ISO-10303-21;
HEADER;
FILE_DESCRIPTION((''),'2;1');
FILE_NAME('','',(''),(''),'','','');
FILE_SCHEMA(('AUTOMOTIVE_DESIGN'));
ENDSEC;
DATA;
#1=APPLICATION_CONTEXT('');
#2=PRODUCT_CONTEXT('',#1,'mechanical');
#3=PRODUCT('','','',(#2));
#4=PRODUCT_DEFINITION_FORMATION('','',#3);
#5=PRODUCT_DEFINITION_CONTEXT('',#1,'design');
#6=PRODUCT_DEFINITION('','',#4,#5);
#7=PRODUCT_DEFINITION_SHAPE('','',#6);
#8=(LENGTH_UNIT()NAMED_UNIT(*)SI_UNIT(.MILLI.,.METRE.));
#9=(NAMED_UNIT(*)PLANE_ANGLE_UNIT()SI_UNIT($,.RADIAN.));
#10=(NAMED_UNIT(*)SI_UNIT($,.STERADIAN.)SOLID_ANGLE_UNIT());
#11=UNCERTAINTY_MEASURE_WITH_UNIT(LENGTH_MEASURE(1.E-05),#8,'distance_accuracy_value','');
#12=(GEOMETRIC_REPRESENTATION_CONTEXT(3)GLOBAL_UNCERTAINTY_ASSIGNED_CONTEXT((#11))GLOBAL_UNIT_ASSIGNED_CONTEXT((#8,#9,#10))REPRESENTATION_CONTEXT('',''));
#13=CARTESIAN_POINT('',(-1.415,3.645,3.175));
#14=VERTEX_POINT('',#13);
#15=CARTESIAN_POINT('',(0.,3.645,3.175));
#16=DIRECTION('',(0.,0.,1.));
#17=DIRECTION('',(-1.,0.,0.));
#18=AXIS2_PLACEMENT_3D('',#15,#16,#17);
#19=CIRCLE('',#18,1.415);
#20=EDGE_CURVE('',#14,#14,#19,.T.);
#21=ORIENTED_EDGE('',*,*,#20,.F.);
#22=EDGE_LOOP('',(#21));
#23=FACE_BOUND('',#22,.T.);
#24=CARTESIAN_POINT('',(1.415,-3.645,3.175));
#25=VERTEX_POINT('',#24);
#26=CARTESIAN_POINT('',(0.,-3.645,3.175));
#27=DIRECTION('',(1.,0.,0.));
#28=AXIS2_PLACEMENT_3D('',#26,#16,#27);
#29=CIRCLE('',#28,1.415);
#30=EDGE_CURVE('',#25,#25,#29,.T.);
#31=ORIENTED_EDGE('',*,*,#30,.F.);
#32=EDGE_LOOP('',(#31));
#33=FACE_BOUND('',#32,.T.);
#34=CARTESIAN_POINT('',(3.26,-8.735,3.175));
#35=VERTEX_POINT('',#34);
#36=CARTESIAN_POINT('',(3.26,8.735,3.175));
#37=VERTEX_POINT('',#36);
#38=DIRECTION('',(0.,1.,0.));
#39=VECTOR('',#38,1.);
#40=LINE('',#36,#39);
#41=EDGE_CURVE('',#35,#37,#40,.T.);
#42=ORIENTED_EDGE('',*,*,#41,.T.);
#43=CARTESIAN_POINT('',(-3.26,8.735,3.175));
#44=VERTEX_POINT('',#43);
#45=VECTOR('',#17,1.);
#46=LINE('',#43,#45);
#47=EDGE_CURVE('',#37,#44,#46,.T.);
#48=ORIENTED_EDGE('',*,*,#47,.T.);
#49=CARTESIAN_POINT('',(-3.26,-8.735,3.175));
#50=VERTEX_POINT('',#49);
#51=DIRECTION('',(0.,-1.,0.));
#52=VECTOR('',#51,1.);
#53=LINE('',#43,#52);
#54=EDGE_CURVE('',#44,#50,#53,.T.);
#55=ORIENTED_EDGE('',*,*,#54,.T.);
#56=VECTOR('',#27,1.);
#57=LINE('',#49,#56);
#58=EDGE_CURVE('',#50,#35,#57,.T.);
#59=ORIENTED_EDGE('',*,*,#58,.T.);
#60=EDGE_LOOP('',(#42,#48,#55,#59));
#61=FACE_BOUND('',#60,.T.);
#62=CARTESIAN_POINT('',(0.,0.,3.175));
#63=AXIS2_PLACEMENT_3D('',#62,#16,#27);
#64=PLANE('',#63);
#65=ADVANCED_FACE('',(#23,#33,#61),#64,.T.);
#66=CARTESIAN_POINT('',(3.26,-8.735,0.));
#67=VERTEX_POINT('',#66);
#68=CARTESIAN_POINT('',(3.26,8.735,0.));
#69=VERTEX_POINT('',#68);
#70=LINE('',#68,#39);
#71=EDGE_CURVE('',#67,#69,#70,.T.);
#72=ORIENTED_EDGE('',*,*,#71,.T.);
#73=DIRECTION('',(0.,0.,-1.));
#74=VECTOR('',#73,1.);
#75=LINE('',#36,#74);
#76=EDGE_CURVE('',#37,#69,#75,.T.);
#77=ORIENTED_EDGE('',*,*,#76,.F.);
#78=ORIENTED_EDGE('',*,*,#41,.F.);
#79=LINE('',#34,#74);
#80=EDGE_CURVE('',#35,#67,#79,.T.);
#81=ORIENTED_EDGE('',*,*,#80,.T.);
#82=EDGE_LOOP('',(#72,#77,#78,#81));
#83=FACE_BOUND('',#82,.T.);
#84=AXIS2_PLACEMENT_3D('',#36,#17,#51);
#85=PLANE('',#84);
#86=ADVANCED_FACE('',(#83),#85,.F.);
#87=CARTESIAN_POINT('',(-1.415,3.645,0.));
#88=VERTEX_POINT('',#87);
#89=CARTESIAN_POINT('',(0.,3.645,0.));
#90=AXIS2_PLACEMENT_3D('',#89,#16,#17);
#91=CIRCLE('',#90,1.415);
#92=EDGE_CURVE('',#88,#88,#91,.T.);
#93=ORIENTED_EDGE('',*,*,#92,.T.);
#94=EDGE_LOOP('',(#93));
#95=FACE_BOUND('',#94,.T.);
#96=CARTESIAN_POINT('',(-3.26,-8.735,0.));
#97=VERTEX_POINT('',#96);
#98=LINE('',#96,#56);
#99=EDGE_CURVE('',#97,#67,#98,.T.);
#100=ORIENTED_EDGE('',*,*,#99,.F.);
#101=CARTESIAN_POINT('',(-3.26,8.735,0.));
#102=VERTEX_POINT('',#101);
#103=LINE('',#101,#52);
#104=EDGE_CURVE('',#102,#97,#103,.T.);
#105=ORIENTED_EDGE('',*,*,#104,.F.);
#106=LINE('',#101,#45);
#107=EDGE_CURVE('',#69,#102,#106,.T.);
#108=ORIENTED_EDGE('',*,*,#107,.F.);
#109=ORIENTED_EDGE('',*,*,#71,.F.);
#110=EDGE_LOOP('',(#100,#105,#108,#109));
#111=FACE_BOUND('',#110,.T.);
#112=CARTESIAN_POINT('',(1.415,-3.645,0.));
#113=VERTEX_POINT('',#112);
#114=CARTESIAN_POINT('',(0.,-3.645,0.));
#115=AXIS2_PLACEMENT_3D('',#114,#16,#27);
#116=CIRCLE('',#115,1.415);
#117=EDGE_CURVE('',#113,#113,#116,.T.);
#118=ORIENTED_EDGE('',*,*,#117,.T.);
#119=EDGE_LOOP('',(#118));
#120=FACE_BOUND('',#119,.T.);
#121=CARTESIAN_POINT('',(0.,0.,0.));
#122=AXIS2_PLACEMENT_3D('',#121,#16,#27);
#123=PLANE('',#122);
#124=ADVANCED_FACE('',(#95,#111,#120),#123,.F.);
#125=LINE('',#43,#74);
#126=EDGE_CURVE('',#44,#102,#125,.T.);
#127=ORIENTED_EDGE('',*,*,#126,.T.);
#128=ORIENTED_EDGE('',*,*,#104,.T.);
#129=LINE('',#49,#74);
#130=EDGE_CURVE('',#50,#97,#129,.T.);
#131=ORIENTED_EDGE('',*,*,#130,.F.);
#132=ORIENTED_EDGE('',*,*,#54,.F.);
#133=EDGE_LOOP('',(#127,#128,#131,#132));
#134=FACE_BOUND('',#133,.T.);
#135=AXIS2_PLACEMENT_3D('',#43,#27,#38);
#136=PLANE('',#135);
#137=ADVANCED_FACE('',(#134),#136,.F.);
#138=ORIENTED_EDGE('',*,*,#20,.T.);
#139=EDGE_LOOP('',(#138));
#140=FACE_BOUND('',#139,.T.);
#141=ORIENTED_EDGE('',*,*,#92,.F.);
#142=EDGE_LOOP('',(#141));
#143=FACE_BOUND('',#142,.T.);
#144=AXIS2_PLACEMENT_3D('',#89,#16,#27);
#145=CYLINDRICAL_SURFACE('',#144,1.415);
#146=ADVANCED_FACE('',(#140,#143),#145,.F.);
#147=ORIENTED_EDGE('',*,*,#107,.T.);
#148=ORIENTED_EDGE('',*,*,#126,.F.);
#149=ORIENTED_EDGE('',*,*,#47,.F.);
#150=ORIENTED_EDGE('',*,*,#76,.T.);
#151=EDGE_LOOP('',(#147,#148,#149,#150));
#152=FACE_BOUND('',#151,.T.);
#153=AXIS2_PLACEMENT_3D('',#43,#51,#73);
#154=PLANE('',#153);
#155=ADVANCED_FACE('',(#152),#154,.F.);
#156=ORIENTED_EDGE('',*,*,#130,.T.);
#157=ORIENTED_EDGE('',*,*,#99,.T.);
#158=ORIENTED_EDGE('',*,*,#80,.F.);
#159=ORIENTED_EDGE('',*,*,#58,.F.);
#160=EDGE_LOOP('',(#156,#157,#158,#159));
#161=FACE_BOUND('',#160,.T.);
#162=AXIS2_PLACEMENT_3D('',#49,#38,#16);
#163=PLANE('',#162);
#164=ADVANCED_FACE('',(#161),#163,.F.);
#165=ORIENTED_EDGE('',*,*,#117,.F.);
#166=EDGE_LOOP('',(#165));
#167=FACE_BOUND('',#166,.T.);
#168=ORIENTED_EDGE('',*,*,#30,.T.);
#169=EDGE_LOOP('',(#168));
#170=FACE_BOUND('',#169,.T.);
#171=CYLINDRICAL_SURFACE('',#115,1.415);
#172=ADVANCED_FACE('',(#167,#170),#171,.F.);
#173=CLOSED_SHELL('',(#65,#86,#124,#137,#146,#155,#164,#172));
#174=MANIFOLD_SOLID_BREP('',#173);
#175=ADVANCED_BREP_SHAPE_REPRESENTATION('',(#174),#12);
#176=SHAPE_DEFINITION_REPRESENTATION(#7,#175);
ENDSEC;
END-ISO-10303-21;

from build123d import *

# Parameters (mm, degrees)
SKETCH2_W           = 6.52
SKETCH2_H           = 17.47
BOSS_EXTRUDE1_DEPTH = 3.175
SKETCH3_R           = 1.415
CUT_EXTRUDE1_DEPTH  = 4.175


with BuildPart() as part:
    # Sketch2 → Boss-Extrude1 (new body)
    with BuildSketch(Plane.XY):
        Rectangle(SKETCH2_W, SKETCH2_H)
    extrude(amount=BOSS_EXTRUDE1_DEPTH)

    # Sketch3 → Cut-Extrude1 (cut, through all)
    with BuildSketch(Plane.XY.offset(3.175)):
        with Locations((0, -3.645)):
            Circle(SKETCH3_R)
        with Locations((0, 3.645)):
            Circle(SKETCH3_R)
    extrude(amount=-CUT_EXTRUDE1_DEPTH, mode=Mode.SUBTRACT)


solid = part.part
